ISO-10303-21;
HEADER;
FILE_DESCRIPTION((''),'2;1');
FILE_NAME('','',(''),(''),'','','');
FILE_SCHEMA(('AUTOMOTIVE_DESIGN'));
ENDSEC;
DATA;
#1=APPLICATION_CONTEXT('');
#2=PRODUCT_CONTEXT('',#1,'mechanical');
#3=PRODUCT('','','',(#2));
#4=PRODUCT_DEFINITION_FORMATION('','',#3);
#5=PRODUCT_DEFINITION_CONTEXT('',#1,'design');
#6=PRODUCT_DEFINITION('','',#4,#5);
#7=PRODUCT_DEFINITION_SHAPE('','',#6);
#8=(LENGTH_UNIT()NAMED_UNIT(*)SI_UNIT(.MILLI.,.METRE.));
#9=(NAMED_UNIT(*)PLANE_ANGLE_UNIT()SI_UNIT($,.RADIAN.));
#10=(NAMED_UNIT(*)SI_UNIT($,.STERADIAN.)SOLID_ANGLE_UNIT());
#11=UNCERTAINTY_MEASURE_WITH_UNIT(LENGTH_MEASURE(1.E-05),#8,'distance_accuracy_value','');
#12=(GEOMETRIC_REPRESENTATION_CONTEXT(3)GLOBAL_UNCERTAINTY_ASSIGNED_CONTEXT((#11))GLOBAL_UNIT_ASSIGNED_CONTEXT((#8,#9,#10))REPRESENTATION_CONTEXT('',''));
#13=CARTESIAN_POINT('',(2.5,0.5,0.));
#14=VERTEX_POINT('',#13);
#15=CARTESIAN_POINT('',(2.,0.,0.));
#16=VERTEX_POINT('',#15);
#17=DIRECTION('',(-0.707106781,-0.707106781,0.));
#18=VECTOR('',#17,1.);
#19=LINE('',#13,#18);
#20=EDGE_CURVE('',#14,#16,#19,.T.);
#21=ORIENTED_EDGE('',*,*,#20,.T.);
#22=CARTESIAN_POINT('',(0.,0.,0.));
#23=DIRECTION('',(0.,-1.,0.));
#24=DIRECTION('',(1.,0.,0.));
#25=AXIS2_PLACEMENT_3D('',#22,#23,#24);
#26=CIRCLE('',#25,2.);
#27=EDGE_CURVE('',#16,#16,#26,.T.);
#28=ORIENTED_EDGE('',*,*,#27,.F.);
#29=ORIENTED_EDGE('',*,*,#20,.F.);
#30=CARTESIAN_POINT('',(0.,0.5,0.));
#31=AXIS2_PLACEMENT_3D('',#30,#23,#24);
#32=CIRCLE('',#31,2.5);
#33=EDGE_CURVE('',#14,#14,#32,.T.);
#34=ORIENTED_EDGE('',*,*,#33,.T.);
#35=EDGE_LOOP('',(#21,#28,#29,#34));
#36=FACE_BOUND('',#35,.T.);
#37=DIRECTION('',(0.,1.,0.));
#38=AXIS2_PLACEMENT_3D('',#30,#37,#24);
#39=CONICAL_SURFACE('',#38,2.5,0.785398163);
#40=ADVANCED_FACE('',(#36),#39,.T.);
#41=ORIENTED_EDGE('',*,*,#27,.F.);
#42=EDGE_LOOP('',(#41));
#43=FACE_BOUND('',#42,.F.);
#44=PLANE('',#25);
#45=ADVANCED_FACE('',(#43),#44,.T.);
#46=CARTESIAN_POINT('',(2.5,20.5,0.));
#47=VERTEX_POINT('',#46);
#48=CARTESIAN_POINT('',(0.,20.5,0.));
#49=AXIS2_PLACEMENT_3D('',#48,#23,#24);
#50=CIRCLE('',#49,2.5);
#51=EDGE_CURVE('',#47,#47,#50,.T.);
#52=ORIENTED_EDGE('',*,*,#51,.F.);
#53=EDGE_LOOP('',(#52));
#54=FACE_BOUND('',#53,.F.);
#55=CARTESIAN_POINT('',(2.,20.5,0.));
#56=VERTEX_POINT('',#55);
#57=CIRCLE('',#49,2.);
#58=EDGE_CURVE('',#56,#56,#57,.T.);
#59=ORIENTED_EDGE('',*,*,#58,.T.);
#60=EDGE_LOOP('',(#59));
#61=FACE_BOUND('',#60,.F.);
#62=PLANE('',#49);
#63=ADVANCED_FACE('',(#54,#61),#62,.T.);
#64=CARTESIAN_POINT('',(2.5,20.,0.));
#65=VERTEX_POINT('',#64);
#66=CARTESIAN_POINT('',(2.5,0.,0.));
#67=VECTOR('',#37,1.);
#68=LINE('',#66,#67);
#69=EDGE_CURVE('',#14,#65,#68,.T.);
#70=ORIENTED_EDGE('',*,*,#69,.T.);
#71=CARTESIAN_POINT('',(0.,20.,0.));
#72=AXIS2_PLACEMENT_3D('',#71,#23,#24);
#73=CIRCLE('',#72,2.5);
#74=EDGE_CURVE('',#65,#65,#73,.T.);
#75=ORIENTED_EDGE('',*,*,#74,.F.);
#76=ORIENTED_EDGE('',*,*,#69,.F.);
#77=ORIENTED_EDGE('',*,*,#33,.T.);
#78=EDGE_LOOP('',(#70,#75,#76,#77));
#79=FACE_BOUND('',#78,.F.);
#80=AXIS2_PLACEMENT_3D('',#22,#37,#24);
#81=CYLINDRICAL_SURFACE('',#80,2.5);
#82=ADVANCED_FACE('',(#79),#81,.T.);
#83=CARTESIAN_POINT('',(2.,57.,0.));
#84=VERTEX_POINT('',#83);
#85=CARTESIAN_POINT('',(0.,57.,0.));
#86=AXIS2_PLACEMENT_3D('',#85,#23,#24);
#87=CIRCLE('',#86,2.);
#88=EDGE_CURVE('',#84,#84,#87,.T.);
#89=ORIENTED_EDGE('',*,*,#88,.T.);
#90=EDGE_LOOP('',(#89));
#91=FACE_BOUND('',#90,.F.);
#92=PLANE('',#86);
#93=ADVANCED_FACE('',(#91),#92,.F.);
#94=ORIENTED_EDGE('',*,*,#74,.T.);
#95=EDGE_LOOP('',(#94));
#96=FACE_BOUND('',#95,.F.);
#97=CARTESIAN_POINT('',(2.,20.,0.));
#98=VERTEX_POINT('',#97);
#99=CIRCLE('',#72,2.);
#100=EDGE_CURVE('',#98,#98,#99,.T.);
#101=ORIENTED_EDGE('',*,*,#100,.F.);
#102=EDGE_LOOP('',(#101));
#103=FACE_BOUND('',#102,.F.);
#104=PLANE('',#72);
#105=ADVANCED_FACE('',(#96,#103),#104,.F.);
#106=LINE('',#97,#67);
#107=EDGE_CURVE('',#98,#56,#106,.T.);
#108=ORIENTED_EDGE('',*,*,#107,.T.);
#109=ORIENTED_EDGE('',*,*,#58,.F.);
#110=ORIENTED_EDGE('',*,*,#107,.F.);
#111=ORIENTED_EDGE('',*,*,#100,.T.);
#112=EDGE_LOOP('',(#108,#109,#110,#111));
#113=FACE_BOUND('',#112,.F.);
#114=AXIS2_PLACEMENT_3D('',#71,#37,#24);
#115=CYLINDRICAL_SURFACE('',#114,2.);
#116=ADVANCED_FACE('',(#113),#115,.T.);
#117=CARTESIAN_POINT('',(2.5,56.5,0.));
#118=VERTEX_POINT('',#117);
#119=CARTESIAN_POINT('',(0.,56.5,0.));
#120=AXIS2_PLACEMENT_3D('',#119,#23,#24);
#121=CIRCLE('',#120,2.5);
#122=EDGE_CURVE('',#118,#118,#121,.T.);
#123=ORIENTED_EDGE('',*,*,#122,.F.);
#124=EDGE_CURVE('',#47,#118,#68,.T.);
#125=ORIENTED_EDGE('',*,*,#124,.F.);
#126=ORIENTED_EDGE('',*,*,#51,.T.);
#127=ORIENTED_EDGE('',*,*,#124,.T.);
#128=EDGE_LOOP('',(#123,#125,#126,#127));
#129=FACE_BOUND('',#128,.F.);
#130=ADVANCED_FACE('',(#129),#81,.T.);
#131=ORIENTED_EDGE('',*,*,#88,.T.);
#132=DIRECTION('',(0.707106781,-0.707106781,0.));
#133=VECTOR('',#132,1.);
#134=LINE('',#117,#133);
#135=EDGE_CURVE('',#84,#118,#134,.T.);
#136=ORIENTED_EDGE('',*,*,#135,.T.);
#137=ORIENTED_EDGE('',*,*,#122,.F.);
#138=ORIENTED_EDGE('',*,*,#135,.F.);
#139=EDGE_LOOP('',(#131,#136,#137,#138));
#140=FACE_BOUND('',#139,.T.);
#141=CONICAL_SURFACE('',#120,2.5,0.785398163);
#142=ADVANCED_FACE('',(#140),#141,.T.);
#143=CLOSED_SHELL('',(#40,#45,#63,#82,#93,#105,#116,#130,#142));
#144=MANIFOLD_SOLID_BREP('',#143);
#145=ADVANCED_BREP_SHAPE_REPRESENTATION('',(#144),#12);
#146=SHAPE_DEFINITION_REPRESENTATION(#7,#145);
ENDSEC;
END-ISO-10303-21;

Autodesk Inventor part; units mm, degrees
ref_plane "YZ Plane" through (0, 0, 0) normal (1, 0, 0) x (0, 1, 0)
ref_plane "XZ Plane" through (0, 0, 0) normal (0, 1, 0) x (-1, 0, 0)
ref_plane "XY Plane" through (0, 0, 0) normal (0, 0, 1) x (1, 0, 0)
sketch "Sketch1" plane through (0, 0, 0) normal (0, 0, 1) x (1, 0, 0)
  line L0 (0, 0) -> (2.5, 0)
  line L1 (2.5, 0) -> (2.5, 57)
  line L2 (2.5, 57) -> (0, 57)
  line L3 (0, 57) -> (0, 0)
  line L4 (2.5, 20) -> (2, 20)
  line L5 (2, 20) -> (2, 20.5)
  line L6 (2, 20.5) -> (2.5, 20.5)
  line L7 (2.5, 20.5) -> (2.5, 20)
  dimension "d0" = 2.5
  dimension "d1" = 57
  dimension "d2" = 0.5
  dimension "d3" = 0.5
  dimension "d4" = 20
revolve "Revolution1" add sketch "Sketch1" angle 360 about axis through (0, 57, 0) along (0, -1, 0) contours L3 L2 L1 L6 L5 L4 L0
chamfer "Chamfer1" distance 0.5 angle 45 2 edges at (-2.5, 57, 0) (-2.5, 0, 0)
properties part number "Shaft"
